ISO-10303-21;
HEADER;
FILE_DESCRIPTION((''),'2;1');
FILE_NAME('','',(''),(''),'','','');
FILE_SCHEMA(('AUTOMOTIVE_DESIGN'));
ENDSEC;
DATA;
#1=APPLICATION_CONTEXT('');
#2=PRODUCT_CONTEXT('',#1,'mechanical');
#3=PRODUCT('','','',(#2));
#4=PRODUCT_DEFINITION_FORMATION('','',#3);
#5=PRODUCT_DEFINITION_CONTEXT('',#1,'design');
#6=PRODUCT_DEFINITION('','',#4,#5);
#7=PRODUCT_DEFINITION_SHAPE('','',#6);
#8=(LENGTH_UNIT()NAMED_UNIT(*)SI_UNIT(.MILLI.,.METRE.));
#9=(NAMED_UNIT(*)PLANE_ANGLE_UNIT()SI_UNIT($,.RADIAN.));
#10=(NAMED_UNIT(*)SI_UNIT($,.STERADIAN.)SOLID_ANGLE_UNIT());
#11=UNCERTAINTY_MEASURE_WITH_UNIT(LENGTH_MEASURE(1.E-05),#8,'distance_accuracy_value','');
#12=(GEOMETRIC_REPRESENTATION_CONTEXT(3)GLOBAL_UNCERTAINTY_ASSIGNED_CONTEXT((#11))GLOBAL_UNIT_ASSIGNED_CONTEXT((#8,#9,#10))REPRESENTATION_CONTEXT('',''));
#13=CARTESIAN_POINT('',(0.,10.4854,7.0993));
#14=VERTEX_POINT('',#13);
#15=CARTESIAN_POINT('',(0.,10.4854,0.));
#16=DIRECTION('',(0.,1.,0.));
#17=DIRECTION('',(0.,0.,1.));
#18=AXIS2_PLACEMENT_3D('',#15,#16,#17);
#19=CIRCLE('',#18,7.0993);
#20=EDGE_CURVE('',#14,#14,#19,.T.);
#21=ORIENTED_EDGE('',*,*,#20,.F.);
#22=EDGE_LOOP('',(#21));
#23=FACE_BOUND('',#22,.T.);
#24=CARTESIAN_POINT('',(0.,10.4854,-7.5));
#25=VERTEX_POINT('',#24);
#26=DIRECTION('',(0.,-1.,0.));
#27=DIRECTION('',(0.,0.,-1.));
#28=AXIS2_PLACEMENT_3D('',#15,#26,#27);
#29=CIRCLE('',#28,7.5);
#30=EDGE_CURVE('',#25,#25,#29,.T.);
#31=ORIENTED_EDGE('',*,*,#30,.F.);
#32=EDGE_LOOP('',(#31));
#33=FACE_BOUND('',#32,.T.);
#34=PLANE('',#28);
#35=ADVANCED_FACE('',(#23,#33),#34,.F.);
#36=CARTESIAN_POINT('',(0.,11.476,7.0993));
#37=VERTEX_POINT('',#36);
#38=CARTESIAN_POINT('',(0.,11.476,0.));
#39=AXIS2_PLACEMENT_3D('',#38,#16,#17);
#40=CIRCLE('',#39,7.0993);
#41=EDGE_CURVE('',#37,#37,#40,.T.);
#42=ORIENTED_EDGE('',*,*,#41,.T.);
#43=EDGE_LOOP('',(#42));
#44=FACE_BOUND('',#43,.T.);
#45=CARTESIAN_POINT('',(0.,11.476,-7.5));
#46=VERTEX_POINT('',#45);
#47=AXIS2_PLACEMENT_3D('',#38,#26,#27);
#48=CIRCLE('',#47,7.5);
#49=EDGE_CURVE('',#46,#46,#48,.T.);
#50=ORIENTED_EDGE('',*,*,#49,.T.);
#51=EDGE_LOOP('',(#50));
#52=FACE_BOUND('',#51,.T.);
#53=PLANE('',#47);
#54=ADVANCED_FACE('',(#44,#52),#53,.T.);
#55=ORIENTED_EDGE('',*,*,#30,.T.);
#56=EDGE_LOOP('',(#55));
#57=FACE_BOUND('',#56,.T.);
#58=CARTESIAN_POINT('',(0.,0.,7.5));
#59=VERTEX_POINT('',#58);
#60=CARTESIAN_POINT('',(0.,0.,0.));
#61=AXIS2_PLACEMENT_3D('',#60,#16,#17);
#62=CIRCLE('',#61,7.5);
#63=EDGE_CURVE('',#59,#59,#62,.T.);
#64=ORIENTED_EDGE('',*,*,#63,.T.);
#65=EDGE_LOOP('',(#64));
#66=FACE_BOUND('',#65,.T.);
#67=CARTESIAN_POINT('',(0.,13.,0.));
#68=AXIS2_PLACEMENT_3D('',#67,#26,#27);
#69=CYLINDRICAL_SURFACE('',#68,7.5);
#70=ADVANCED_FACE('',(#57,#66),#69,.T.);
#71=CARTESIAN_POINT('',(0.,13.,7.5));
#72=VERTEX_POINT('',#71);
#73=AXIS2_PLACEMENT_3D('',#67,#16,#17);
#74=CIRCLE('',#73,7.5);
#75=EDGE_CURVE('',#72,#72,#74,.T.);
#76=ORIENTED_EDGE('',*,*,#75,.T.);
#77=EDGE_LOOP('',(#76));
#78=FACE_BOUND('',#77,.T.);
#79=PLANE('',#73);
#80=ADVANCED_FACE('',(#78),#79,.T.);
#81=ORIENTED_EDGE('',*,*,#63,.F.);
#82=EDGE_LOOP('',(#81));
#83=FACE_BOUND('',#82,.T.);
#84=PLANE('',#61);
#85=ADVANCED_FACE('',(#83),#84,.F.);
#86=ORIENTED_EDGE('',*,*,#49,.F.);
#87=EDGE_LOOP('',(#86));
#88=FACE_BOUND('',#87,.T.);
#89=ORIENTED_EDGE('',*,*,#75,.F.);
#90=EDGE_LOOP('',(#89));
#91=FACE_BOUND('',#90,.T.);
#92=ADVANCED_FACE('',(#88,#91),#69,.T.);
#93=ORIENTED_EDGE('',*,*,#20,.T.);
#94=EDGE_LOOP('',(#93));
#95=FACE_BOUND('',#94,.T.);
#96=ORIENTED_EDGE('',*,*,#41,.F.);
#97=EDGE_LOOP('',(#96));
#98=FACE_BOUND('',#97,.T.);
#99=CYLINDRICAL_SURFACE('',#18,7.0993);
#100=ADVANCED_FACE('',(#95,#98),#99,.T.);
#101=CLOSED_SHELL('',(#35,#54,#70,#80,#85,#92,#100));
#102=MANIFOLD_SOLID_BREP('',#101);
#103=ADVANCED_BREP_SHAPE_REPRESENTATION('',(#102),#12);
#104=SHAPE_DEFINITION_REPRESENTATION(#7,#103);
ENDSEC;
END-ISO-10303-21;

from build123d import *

# Parameters (mm, degrees)
SKETCH1_R           = 7.5
BOSS_EXTRUDE1_DEPTH = 13
SKETCH2_R           = 7.0993
CUT_EXTRUDE1_DEPTH  = 0.9906


with BuildPart() as part:
    # Sketch1 → Boss-Extrude1 (new body)
    with BuildSketch(Plane(origin=(0, 0, 0), x_dir=(1, 0, 0), z_dir=(0, 1, 0))):
        Circle(SKETCH1_R)
    extrude(amount=BOSS_EXTRUDE1_DEPTH)

    # Sketch2 → Cut-Extrude1 (cut)
    with BuildSketch(Plane(origin=(0, 11.476, 0), x_dir=(1, 0, 0), z_dir=(0, 1, 0))):
        Polygon((-10.537332024, 10.483478538), (-10.860452938, -10.950208747), (14.271173695, -10.950208747), (12.440155183, 11.524645927), align=None)
        Circle(SKETCH2_R, mode=Mode.SUBTRACT)
    extrude(amount=-CUT_EXTRUDE1_DEPTH, mode=Mode.SUBTRACT)


solid = part.part
